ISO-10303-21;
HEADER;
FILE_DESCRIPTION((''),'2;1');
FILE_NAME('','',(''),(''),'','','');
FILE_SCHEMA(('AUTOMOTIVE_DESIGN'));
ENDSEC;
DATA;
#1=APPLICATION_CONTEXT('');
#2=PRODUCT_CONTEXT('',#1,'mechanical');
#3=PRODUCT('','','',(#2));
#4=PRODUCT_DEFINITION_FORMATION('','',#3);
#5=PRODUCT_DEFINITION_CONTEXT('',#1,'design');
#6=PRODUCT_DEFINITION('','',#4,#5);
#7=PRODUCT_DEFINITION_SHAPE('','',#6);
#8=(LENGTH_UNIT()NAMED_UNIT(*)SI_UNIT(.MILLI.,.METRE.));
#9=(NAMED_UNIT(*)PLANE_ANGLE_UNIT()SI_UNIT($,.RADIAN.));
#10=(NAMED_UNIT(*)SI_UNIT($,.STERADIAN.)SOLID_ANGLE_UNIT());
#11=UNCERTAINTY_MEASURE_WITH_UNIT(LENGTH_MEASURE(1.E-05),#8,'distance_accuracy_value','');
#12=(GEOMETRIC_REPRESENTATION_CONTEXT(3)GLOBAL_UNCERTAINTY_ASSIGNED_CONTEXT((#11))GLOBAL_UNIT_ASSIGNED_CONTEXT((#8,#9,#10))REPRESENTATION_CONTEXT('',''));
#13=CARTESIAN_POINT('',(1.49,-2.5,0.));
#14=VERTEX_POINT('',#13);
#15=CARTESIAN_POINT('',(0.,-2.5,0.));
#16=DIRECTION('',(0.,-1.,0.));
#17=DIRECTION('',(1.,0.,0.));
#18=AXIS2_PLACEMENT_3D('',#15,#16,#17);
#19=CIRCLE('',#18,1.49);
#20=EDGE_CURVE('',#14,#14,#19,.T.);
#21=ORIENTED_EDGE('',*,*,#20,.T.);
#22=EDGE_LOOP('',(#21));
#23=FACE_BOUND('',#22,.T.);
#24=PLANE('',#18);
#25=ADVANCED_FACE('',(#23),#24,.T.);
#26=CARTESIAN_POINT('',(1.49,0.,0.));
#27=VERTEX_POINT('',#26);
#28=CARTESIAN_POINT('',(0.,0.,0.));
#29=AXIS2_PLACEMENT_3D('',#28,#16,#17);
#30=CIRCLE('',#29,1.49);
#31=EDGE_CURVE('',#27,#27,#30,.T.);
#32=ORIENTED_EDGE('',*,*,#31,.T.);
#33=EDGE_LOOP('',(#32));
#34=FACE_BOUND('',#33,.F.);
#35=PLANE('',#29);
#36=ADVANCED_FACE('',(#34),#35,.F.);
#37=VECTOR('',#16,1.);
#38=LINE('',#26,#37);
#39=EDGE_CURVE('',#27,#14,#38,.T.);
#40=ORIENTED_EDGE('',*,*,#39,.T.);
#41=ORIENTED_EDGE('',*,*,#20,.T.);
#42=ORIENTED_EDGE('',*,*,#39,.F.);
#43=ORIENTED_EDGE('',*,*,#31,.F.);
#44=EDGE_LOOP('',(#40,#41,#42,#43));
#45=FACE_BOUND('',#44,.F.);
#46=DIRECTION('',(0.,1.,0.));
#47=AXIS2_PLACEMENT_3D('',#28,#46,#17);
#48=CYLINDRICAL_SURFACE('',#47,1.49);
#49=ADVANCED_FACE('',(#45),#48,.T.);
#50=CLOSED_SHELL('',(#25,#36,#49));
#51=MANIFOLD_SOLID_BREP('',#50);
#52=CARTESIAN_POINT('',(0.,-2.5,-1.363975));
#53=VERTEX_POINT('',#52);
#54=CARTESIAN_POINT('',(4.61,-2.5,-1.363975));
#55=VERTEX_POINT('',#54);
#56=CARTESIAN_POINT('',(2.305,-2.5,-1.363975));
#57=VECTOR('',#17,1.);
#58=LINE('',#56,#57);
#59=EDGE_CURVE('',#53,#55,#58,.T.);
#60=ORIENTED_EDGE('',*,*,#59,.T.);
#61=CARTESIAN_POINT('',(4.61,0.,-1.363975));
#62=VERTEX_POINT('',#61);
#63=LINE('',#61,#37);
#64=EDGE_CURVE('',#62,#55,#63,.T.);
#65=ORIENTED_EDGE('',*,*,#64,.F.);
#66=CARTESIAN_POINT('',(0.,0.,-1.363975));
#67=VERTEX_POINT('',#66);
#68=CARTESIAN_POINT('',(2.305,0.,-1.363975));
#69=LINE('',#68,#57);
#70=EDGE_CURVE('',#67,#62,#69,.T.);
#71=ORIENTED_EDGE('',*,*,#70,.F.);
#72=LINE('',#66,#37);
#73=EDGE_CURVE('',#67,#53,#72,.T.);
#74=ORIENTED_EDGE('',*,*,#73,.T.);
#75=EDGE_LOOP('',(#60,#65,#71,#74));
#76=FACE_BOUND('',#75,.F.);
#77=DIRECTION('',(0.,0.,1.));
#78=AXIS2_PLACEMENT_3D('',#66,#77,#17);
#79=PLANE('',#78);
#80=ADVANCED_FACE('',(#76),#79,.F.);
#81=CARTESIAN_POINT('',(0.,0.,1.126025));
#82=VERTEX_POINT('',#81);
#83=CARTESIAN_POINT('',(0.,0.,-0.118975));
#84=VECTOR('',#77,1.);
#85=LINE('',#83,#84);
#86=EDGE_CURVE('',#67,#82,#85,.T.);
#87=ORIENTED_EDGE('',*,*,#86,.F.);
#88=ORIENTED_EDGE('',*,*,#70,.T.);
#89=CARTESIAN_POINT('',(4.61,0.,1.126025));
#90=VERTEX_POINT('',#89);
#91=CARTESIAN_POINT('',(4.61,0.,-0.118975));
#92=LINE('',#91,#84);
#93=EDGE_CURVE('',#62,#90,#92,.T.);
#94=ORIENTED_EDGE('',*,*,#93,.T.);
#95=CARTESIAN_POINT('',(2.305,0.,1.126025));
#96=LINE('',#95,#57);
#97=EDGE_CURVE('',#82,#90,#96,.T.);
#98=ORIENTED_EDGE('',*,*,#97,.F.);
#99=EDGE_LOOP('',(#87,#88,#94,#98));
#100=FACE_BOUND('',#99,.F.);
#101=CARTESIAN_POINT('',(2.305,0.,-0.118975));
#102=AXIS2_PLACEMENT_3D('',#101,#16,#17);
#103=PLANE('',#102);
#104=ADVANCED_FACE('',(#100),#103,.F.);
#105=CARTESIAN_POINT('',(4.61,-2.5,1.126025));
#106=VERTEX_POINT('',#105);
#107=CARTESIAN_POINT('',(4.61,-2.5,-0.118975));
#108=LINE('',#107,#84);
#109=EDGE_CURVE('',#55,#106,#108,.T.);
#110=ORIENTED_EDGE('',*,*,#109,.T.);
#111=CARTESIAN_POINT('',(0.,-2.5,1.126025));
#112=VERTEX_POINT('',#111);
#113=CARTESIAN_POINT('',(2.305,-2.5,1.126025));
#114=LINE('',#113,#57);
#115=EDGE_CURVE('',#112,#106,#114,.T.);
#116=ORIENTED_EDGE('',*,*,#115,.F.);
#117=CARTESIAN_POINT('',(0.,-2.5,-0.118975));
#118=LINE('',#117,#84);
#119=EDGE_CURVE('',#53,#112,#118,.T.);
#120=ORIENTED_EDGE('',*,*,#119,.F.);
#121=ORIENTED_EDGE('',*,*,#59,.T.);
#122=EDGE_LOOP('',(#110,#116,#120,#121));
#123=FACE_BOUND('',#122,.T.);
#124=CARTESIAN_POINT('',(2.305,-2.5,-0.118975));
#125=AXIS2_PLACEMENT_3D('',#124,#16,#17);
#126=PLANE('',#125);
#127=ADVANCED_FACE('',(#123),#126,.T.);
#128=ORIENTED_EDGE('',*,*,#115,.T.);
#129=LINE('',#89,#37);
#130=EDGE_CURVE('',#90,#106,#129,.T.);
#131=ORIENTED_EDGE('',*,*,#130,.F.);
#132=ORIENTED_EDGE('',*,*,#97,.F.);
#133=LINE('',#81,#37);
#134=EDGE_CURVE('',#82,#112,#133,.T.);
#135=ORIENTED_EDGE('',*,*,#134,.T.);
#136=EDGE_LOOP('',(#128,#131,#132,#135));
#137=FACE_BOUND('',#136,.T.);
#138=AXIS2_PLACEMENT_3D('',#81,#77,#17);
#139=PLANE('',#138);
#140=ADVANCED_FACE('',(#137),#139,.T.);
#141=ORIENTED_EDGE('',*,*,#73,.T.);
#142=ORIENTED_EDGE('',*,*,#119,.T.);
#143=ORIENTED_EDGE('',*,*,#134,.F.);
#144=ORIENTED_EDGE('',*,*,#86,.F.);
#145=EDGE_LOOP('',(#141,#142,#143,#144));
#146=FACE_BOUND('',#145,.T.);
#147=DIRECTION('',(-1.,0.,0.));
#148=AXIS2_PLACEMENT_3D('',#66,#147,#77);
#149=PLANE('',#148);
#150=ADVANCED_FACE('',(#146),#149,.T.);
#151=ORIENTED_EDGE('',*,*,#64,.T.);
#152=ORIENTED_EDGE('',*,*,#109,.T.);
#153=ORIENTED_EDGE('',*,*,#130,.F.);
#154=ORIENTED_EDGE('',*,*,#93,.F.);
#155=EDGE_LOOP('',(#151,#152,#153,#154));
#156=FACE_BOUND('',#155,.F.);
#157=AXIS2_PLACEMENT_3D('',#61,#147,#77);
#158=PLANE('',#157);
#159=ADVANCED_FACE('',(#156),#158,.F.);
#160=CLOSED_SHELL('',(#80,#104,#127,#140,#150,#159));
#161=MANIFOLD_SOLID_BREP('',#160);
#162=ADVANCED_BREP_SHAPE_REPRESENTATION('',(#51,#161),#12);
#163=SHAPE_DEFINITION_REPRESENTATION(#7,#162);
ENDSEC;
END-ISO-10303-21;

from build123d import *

# Parameters (mm, degrees)
F0_R     = 5.455
F0_R_2   = 4.045
F1_DEPTH = 1.8
F0_R_3   = 2.625
F0_R_4   = 1.685
F3_R     = 1.49
F4_DEPTH = 2.5
F5_W     = 4.61
F5_H     = 2.49
F6_DEPTH = 2.5


with BuildPart() as f1:
    # F0 (on Front) → F1 (new body)
    with BuildSketch(Plane.XZ):
        Circle(F0_R)
        Circle(F0_R_2, mode=Mode.SUBTRACT)
    extrude(amount=F1_DEPTH)


with BuildPart() as f1b:
    # F0 (on Front) → F1, piece 2 (new body)
    with BuildSketch(Plane.XZ):
        Circle(F0_R_3)
        Circle(F0_R_4, mode=Mode.SUBTRACT)
    extrude(amount=F1_DEPTH)


with BuildPart() as f4:
    # F3 (on Front) → F4 (new body)
    with BuildSketch(Plane.XZ):
        Circle(F3_R)
    extrude(amount=F4_DEPTH)


with BuildPart() as f6:
    # F5 (on Front) → F6 (new body, through all)
    with BuildSketch(Plane.XZ):
        with Locations((2.305, -0.1189748681)):
            Rectangle(F5_W, F5_H)
    extrude(amount=F6_DEPTH)


solid = Compound([f4.part, f6.part])
